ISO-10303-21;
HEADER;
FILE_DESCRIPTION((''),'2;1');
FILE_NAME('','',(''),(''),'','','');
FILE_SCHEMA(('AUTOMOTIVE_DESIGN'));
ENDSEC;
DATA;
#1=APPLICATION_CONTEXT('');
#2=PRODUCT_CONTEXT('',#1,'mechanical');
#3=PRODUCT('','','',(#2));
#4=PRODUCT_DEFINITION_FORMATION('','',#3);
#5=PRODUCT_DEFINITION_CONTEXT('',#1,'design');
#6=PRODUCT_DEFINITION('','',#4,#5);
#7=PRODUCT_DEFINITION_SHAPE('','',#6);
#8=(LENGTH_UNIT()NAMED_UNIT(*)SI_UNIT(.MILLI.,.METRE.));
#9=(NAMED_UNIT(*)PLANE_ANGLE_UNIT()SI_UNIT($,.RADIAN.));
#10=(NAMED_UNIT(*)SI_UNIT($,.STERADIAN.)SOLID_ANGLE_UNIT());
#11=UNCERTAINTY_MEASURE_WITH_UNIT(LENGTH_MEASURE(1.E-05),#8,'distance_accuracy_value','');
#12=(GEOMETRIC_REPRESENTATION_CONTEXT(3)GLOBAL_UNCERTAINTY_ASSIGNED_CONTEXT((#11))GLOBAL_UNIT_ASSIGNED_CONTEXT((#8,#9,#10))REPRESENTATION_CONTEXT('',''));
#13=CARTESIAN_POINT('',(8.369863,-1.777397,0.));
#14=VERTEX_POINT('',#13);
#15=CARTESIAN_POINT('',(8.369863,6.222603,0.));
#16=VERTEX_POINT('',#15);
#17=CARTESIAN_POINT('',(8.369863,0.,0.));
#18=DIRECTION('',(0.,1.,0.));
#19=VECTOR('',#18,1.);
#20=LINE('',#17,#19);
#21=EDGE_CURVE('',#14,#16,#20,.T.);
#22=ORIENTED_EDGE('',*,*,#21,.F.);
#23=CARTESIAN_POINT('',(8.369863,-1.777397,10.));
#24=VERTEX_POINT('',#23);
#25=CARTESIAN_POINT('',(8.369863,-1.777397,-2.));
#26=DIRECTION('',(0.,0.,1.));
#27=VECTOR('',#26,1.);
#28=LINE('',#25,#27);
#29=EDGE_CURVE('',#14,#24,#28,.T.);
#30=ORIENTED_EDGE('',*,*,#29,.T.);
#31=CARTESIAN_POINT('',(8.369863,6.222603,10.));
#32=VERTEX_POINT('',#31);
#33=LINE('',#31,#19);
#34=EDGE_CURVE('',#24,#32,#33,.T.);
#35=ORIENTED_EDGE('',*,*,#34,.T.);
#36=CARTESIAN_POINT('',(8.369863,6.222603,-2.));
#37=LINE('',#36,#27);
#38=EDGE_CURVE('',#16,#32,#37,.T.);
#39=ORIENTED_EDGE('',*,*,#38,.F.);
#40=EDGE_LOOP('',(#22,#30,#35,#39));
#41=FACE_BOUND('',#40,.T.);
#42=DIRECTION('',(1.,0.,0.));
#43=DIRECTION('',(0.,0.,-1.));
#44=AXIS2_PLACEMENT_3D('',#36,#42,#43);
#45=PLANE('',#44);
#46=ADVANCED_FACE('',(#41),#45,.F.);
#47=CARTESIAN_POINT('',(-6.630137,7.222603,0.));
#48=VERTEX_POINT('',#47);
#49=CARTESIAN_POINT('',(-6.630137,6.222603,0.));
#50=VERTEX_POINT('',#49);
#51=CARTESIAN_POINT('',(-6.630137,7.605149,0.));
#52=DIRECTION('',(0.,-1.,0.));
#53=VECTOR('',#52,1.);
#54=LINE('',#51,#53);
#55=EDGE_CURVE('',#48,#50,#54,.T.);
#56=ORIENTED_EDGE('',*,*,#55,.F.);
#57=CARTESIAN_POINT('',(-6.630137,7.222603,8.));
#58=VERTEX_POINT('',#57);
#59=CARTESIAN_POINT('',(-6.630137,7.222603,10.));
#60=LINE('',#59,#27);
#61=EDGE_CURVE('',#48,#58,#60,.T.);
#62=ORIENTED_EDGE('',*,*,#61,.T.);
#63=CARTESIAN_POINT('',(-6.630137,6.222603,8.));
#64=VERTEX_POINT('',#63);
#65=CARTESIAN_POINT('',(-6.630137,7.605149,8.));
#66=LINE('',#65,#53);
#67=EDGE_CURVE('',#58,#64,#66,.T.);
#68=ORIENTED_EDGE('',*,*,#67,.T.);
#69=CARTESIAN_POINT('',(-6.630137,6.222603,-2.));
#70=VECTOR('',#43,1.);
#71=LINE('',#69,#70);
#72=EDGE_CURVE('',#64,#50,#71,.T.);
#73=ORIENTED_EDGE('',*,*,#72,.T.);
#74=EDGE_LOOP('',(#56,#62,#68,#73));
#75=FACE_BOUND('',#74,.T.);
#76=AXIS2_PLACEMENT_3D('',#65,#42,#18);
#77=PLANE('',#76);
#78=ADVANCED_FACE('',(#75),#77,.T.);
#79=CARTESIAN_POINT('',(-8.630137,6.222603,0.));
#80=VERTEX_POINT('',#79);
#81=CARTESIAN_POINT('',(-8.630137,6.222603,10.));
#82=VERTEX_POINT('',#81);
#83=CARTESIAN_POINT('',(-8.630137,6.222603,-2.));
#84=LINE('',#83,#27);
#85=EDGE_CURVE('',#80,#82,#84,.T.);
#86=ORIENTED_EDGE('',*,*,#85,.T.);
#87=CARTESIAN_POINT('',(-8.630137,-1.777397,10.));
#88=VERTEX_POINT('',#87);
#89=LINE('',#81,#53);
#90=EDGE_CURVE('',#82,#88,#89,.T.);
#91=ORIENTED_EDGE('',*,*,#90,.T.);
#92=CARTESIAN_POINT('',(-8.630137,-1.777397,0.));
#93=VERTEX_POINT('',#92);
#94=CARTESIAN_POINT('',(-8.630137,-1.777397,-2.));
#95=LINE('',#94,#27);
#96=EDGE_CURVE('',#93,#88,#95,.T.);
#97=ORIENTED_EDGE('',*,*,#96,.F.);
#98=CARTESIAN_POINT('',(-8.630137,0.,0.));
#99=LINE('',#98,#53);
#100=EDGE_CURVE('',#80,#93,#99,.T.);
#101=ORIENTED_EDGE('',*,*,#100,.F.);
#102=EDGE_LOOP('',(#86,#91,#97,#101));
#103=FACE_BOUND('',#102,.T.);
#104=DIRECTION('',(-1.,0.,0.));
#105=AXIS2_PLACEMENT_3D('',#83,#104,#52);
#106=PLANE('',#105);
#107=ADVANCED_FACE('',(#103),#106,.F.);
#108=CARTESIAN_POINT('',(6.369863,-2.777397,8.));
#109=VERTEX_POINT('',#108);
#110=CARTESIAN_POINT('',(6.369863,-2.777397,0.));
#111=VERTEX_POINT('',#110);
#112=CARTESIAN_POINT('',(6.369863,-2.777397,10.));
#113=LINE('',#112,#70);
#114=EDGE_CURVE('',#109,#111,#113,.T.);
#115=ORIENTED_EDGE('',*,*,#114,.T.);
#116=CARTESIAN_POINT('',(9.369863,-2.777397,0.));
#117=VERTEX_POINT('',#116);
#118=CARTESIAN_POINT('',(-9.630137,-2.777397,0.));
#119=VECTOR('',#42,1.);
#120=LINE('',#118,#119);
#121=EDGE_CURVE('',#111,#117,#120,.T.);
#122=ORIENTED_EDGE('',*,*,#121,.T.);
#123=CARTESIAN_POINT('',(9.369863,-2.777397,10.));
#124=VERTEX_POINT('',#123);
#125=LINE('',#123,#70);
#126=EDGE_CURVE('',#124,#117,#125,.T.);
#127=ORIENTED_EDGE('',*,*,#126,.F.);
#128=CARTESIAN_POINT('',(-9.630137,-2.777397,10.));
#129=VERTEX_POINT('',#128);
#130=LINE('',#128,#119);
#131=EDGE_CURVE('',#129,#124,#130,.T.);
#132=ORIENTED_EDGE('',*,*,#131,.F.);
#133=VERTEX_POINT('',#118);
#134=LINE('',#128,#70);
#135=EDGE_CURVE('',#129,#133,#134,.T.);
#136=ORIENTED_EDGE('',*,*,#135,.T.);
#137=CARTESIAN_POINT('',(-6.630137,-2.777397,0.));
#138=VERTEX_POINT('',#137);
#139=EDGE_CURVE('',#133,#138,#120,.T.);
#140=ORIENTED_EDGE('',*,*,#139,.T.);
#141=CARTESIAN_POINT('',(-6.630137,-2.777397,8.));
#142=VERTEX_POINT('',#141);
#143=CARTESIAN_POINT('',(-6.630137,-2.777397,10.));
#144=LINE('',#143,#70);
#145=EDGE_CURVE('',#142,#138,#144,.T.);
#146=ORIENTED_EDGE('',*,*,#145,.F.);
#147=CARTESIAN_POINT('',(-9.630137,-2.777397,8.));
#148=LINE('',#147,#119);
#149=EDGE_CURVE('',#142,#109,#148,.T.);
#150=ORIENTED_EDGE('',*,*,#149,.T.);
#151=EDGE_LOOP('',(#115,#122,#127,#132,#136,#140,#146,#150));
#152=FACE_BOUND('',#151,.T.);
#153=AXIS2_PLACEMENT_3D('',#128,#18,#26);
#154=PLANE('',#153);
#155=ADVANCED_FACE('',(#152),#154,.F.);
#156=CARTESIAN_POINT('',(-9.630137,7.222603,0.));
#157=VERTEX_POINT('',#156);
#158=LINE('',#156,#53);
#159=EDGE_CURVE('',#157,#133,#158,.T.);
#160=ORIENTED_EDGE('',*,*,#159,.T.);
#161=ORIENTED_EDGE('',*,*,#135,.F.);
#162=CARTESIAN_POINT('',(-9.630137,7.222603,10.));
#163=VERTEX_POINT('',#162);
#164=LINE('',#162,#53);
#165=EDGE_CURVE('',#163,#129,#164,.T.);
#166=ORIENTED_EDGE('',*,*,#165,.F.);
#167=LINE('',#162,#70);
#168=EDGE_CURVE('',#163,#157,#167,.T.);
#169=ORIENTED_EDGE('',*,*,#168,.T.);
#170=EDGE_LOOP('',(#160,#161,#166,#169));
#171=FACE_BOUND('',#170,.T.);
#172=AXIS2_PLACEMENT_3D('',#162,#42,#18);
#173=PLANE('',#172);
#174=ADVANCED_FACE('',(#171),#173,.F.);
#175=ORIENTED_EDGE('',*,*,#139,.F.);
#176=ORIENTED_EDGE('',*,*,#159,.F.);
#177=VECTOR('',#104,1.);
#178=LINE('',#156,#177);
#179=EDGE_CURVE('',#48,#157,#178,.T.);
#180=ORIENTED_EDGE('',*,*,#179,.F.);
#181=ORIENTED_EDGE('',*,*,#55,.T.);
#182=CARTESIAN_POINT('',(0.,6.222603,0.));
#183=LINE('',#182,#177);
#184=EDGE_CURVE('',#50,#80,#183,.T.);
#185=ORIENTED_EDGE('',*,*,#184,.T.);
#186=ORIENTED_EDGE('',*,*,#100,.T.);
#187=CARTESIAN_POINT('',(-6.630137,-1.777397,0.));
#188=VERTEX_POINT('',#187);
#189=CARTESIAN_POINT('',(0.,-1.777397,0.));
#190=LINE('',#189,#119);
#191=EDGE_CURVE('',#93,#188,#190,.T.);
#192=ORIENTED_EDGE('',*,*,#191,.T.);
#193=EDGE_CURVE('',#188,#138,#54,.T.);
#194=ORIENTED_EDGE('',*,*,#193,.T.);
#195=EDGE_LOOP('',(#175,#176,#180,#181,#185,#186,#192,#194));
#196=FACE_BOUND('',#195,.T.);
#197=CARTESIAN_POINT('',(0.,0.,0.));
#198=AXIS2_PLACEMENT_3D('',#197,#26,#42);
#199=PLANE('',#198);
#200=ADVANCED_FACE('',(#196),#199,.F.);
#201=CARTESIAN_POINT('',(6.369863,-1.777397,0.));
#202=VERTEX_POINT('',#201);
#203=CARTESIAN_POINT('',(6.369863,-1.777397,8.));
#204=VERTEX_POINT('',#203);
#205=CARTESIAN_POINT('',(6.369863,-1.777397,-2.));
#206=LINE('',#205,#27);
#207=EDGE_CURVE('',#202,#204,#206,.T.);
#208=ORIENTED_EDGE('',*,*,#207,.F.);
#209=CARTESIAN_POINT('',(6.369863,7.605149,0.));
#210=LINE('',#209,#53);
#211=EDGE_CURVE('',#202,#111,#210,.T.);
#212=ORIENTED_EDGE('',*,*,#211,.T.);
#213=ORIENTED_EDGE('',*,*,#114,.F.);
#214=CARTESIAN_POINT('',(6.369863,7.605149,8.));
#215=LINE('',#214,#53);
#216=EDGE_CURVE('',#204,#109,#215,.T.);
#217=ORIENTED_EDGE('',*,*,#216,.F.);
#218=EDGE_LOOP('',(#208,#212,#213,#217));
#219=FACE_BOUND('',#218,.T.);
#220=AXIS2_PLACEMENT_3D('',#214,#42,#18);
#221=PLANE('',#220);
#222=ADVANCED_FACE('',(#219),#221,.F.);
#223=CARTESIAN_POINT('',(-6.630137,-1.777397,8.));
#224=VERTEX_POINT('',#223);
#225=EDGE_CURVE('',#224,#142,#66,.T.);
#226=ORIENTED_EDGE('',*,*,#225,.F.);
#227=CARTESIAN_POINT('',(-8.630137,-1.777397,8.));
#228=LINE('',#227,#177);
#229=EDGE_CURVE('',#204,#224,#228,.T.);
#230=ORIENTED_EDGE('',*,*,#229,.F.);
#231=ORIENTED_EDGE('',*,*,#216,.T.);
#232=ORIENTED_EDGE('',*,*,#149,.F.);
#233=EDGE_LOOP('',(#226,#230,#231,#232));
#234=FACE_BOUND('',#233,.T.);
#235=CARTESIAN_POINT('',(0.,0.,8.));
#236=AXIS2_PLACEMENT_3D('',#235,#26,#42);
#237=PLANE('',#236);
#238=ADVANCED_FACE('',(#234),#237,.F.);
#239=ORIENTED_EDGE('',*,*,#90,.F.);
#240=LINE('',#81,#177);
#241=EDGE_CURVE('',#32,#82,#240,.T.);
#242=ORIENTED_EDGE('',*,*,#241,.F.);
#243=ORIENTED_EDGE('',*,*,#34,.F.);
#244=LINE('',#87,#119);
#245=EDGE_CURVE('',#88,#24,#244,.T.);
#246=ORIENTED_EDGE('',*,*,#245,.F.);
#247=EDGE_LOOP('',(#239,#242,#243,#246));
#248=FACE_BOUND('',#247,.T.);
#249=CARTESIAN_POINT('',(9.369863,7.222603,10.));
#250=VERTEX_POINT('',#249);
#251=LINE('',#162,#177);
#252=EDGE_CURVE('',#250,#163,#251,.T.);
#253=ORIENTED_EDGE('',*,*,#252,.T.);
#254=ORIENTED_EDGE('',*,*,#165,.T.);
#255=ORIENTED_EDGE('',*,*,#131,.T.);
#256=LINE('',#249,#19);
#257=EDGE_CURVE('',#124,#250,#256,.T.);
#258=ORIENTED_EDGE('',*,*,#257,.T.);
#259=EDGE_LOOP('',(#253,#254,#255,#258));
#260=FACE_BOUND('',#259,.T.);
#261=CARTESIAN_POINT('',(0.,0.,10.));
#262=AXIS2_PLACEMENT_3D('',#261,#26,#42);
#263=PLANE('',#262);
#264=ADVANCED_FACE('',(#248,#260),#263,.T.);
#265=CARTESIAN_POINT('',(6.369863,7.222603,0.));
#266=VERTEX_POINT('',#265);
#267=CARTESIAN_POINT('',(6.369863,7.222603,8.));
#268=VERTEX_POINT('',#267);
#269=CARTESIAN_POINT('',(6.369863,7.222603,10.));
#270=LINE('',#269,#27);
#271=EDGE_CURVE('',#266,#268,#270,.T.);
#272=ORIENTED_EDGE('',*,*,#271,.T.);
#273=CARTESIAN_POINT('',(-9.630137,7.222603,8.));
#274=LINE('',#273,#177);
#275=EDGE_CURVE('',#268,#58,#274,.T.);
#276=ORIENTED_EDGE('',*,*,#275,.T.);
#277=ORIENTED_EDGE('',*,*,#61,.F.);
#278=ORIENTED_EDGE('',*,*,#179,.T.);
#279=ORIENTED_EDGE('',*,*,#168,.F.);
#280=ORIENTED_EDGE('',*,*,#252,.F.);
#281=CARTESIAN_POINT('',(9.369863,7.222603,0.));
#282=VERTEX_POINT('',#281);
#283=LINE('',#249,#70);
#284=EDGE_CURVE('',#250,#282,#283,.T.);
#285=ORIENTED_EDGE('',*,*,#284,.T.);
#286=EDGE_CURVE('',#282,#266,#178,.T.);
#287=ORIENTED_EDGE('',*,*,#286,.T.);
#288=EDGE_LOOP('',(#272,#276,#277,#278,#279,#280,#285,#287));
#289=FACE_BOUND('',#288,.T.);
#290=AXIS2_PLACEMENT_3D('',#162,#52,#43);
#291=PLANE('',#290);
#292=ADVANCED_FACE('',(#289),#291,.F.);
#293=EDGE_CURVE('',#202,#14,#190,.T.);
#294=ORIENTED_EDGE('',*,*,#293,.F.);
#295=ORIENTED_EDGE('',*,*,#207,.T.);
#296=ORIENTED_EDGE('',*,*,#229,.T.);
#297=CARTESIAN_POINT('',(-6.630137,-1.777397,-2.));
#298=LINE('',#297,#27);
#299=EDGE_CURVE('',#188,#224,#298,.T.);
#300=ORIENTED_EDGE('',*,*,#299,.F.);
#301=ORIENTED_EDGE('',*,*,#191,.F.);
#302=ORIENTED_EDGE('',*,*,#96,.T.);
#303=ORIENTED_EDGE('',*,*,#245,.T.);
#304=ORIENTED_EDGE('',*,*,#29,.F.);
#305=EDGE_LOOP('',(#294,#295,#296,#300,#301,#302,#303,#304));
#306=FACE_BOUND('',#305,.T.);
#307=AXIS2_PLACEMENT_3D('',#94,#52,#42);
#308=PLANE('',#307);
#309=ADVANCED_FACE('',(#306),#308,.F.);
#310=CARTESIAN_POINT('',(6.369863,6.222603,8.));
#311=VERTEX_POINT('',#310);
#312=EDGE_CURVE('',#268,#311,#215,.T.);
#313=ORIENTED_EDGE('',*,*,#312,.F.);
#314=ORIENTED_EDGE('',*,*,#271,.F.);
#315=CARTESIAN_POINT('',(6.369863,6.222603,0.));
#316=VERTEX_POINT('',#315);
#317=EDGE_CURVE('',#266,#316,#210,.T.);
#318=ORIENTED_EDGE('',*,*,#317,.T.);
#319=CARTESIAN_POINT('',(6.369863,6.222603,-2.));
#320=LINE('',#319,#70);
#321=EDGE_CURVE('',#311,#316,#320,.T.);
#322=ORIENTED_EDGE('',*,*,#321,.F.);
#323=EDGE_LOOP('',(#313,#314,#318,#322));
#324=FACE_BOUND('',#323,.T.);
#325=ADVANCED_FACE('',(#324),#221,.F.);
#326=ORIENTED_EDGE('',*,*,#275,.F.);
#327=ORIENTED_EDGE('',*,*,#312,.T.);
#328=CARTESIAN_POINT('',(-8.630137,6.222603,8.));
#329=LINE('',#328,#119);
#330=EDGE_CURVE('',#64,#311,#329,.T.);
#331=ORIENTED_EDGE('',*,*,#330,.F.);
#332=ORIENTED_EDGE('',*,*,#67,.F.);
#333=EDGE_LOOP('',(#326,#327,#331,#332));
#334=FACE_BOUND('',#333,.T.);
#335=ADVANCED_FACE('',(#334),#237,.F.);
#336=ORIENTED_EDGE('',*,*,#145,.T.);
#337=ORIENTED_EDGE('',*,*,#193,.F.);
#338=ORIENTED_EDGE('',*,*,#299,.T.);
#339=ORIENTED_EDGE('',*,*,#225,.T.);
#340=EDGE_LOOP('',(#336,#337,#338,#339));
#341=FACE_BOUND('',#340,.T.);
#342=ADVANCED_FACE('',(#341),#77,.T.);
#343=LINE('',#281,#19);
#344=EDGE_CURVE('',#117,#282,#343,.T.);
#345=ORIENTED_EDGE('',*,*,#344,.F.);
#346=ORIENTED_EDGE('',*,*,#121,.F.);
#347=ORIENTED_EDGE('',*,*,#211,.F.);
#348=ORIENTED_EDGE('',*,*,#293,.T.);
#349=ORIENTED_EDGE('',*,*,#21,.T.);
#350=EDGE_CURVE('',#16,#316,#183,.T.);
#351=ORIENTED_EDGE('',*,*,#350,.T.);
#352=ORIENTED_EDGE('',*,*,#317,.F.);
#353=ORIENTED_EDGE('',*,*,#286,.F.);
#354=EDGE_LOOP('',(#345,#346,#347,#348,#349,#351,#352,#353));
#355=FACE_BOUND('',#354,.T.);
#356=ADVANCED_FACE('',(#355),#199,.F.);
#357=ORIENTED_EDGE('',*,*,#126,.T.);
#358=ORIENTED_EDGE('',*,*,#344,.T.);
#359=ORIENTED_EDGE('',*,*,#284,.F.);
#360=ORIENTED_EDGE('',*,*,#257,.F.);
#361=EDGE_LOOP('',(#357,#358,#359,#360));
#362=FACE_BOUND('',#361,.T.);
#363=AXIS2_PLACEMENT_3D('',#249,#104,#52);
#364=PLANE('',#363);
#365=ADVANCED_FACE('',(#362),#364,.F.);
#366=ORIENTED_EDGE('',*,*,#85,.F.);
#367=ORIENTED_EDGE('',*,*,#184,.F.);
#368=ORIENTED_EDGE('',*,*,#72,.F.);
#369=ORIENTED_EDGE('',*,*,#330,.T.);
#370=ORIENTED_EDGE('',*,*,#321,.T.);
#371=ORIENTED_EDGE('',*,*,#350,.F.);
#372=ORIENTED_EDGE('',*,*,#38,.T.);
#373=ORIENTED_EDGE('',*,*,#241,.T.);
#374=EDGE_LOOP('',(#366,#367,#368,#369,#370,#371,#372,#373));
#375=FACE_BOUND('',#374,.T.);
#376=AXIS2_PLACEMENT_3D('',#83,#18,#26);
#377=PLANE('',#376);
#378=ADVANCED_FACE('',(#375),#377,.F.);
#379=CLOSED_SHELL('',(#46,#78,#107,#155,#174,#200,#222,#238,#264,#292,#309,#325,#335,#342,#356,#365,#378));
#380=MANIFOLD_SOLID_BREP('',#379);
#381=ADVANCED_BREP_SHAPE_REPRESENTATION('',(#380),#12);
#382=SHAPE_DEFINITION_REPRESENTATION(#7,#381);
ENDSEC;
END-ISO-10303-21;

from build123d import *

# Parameters (mm, degrees)
SKETCH1_W           = 19
SKETCH1_H           = 10
BOSS_EXTRUDE1_DEPTH = 10
SKETCH2_W           = 17
SKETCH2_H           = 8
CUT_EXTRUDE1_DEPTH  = 12
SKETCH3_W           = 13
SKETCH3_H           = 10.51996768
CUT_EXTRUDE3_DEPTH  = 8


with BuildPart() as part:
    # Sketch1 → Boss-Extrude1 (new body)
    with BuildSketch(Plane.XY):
        with Locations((-0.130136986, 2.22260274)):
            Rectangle(SKETCH1_W, SKETCH1_H)
    extrude(amount=BOSS_EXTRUDE1_DEPTH)

    # Sketch2 → Cut-Extrude1 (cut)
    with BuildSketch(Plane.XY.offset(10)):
        with Locations((-0.130136986, 2.22260274)):
            Rectangle(SKETCH2_W, SKETCH2_H)
    extrude(amount=-CUT_EXTRUDE1_DEPTH, mode=Mode.SUBTRACT)

    # Sketch3 → Cut-Extrude3 (cut)
    with BuildSketch(Plane.XY):
        with Locations((-0.130136986, 2.34516547)):
            Rectangle(SKETCH3_W, SKETCH3_H)
    extrude(amount=CUT_EXTRUDE3_DEPTH, mode=Mode.SUBTRACT)


solid = part.part
